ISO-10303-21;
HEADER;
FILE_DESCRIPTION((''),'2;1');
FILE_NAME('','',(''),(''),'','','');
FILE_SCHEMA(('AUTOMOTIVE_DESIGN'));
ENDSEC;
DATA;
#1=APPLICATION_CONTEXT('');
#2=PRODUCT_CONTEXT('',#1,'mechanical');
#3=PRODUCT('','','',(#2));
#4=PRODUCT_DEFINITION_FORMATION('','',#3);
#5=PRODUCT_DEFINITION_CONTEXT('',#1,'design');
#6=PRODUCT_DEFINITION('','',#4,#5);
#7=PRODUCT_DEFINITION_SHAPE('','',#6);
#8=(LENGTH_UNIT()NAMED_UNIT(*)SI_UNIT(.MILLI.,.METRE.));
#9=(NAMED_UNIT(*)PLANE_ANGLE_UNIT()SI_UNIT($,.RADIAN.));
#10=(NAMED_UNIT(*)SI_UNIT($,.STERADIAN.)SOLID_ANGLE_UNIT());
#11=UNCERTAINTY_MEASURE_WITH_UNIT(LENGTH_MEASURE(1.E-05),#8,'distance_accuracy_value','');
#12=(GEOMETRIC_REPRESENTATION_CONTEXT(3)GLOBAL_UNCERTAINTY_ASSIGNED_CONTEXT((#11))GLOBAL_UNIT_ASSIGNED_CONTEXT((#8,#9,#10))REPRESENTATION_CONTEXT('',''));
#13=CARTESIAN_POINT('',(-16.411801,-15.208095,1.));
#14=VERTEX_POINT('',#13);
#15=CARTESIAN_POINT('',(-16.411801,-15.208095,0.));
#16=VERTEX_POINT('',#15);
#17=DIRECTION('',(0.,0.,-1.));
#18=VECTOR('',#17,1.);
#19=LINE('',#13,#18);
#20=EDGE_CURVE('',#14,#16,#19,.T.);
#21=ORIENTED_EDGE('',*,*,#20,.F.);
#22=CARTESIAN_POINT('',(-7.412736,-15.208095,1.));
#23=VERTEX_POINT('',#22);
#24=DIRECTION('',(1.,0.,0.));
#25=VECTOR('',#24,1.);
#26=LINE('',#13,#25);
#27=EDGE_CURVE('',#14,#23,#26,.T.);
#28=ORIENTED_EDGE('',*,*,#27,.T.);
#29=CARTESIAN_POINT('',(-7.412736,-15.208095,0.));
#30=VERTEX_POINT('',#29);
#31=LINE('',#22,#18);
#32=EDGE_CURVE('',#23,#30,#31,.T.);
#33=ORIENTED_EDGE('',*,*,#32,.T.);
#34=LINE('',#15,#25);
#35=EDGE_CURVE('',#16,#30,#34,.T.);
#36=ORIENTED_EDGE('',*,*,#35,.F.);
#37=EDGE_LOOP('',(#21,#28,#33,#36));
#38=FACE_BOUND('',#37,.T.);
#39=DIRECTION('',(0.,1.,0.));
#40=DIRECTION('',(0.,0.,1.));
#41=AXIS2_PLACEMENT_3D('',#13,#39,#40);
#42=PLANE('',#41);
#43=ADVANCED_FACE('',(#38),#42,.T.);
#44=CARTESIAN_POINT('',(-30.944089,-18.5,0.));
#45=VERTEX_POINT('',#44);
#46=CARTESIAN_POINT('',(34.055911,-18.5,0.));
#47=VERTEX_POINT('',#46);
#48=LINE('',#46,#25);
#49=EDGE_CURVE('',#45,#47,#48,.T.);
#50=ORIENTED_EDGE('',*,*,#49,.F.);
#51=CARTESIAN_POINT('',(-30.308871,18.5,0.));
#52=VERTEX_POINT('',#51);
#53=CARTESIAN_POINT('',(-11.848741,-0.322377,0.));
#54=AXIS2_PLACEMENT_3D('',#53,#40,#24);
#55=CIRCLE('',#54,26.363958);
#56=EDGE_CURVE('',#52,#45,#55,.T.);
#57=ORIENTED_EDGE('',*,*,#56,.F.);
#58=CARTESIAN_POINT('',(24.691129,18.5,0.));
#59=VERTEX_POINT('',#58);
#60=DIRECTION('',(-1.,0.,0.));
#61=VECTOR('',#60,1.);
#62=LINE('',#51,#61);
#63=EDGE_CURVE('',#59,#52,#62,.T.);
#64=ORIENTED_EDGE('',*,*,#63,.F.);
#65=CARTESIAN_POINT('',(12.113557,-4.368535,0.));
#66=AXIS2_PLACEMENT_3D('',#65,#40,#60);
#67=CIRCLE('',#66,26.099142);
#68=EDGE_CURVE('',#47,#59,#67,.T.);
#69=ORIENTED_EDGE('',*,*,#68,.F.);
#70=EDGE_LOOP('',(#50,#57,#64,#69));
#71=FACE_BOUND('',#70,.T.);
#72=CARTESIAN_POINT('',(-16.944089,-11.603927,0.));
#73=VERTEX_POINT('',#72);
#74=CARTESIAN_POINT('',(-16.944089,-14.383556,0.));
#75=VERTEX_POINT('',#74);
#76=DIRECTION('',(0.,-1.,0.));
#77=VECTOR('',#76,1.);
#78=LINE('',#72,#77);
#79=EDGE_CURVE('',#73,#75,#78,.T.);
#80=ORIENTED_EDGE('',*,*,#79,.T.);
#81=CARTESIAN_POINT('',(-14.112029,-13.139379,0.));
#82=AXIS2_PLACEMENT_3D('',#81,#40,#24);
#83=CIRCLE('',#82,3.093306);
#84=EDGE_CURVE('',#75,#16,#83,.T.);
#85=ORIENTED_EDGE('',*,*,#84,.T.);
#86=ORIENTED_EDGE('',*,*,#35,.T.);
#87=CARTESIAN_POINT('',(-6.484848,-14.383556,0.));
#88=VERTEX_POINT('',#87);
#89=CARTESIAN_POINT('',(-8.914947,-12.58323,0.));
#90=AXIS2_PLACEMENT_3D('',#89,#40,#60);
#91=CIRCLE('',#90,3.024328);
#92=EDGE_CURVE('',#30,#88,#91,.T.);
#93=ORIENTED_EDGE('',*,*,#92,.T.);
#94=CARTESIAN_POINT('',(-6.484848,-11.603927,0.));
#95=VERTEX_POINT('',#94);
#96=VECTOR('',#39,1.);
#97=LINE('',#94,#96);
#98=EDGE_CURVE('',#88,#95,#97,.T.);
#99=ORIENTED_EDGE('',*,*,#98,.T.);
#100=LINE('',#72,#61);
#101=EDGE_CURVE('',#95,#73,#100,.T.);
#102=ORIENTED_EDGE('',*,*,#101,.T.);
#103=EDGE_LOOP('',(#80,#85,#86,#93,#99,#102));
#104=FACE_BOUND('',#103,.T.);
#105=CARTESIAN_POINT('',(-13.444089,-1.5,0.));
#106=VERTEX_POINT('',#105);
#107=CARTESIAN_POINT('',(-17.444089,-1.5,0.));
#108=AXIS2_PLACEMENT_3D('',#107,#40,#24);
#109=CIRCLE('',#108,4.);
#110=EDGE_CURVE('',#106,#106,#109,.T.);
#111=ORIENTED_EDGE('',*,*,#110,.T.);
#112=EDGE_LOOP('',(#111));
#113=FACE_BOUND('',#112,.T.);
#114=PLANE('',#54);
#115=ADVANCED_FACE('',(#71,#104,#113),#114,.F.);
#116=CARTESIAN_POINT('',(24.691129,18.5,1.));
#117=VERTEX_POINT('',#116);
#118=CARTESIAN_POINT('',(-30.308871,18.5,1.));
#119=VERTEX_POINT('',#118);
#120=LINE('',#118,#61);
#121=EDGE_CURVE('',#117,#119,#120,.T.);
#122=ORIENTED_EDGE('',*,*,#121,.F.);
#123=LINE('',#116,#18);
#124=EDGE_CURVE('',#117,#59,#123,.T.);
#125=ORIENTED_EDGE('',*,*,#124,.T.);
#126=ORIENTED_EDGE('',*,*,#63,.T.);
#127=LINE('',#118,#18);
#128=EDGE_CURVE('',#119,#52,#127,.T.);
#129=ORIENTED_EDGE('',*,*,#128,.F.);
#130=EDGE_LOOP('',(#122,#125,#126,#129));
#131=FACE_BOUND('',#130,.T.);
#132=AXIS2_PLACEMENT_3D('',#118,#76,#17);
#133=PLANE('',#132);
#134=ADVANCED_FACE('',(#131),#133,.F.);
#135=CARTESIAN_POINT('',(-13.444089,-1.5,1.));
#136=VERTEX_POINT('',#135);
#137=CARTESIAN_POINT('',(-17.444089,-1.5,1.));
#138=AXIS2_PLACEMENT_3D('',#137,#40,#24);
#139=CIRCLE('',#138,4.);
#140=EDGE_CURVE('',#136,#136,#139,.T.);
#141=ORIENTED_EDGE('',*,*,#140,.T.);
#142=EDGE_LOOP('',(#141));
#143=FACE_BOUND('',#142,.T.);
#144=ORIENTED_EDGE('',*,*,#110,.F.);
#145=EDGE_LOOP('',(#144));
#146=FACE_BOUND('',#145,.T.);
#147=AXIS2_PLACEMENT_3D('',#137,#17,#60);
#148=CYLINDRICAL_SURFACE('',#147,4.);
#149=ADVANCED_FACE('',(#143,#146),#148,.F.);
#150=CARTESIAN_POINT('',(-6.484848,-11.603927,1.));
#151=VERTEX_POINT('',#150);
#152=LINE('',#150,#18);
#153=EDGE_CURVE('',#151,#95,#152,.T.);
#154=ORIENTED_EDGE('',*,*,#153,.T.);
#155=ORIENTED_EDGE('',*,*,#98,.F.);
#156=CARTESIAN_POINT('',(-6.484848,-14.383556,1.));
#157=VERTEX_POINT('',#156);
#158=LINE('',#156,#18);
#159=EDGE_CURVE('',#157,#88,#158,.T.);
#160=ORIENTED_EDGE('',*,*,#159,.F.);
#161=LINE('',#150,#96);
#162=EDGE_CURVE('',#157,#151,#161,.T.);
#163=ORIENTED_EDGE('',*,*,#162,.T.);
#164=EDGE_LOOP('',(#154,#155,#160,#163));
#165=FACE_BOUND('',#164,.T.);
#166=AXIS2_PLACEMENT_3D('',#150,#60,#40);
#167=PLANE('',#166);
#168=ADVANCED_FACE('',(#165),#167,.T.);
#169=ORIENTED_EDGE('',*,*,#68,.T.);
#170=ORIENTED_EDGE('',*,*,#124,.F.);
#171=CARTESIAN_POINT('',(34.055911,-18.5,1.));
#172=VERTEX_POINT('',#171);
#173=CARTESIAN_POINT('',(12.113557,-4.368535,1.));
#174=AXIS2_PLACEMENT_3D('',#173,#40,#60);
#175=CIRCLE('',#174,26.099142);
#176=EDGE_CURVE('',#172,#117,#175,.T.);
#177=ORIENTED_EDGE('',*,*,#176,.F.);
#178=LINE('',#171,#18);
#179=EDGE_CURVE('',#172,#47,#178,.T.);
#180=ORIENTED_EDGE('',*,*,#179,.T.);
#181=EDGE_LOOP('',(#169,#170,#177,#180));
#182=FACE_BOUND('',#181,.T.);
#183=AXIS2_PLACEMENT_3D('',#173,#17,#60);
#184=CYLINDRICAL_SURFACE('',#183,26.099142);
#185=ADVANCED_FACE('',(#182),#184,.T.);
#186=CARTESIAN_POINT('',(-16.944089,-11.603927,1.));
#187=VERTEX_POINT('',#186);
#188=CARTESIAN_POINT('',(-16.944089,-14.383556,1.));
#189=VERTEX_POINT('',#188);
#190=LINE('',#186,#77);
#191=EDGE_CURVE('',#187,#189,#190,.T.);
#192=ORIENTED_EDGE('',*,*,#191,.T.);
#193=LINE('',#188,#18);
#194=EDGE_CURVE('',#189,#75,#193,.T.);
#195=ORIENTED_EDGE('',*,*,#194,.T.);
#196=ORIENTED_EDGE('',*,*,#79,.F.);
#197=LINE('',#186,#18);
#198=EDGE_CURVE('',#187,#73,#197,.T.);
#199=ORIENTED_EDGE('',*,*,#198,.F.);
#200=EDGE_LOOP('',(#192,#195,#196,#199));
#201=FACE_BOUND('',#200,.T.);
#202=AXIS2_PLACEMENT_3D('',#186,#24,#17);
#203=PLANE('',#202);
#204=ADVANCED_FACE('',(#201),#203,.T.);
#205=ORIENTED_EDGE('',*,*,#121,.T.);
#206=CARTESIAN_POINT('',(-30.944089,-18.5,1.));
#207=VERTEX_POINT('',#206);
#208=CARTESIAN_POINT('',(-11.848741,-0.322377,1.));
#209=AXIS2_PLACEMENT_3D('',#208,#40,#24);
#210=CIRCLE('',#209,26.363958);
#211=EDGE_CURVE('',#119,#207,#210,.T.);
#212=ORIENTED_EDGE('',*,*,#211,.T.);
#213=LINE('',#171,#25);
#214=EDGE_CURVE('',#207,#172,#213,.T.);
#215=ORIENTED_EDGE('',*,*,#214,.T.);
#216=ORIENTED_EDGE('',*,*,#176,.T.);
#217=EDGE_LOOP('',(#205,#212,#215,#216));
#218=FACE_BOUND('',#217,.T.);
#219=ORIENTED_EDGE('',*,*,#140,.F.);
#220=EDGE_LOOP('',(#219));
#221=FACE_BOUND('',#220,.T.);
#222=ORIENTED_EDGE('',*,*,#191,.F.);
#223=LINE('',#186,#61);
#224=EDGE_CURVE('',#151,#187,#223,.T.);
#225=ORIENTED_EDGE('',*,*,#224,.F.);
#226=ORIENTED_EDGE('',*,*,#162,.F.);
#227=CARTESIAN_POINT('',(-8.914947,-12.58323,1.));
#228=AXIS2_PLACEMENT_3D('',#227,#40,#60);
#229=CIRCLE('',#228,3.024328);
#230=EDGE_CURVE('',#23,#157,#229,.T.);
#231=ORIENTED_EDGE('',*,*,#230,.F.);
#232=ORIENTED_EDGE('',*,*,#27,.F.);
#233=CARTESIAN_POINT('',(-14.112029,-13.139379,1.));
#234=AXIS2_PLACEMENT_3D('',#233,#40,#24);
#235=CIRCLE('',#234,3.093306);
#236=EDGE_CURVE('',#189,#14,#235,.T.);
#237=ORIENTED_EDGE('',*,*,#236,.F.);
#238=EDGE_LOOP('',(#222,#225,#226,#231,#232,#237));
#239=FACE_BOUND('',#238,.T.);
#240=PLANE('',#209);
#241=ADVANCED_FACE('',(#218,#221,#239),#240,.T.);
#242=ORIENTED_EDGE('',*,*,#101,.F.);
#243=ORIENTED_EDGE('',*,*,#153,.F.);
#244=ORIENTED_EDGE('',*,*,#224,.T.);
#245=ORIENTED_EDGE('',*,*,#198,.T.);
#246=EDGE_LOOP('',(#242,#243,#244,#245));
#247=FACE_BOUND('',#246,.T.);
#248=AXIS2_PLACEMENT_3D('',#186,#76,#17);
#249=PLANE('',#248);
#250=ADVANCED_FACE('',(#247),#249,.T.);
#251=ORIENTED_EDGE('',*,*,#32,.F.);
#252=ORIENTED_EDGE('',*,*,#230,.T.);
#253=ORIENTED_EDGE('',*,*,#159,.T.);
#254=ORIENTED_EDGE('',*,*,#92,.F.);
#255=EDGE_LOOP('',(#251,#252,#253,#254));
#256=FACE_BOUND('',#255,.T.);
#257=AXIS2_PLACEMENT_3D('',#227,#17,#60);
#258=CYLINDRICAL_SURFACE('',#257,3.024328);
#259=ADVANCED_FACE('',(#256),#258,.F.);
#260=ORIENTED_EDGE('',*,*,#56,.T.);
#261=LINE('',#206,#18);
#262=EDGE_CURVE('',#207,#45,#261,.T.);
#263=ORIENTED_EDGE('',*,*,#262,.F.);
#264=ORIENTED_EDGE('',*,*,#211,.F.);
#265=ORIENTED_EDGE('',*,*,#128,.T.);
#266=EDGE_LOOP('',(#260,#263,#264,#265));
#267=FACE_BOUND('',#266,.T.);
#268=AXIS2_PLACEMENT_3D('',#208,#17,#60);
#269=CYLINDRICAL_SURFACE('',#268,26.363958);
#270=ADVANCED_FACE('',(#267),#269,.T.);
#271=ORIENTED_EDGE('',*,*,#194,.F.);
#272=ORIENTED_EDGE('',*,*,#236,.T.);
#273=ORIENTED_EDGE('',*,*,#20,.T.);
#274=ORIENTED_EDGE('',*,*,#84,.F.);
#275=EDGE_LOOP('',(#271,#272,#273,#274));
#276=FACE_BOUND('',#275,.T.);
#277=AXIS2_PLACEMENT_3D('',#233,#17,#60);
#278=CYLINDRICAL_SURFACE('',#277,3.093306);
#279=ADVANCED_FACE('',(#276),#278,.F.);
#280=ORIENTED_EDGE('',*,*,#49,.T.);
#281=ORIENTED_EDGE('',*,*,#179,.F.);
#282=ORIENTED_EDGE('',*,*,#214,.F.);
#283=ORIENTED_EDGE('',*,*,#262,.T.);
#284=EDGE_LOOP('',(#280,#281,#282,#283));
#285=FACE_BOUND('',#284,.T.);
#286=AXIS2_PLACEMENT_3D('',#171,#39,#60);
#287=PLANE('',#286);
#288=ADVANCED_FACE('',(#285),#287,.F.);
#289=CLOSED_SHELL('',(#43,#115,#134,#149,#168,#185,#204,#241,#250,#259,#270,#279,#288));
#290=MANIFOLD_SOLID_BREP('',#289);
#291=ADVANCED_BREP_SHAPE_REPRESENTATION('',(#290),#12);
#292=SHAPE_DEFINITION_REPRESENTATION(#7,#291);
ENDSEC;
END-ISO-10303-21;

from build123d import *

# Parameters (mm, degrees)
SKETCH_1_R      = 4
EXTRUDE_1_DEPTH = 1


with BuildPart() as part:
    # 草图1 → 凸台-拉伸1 (new body)
    with BuildSketch(Plane.XY):
        with BuildLine():
            Line((-30.308871265, 18.5), (24.691128735, 18.5))
            ThreePointArc((24.691128735, 18.5), (37.414867681, 2.03528305), (34.05591144, -18.5))
            Line((34.05591144, -18.5), (-30.94408856, -18.5))
            ThreePointArc((-30.94408856, -18.5), (-38.208814547, 0.130173786), (-30.308871265, 18.5))
        make_face()
        with Locations((-17.44408856, -1.5)):
            Circle(SKETCH_1_R, mode=Mode.SUBTRACT)
        with BuildLine():
            Line((-16.94408856, -11.603927424), (-6.484848095, -11.603927424))
            Line((-6.484848095, -11.603927424), (-6.484848095, -14.383556294))
            ThreePointArc((-6.484848095, -14.383556294), (-6.906034088, -14.843943267), (-7.412736188, -15.208095416))
            Line((-7.412736188, -15.208095416), (-16.411800764, -15.208095416))
            ThreePointArc((-16.411800764, -15.208095416), (-16.710853614, -14.817070491), (-16.94408856, -14.383556294))
            Line((-16.94408856, -14.383556294), (-16.94408856, -11.603927424))
        make_face(mode=Mode.SUBTRACT)
    extrude(amount=EXTRUDE_1_DEPTH)


solid = part.part
